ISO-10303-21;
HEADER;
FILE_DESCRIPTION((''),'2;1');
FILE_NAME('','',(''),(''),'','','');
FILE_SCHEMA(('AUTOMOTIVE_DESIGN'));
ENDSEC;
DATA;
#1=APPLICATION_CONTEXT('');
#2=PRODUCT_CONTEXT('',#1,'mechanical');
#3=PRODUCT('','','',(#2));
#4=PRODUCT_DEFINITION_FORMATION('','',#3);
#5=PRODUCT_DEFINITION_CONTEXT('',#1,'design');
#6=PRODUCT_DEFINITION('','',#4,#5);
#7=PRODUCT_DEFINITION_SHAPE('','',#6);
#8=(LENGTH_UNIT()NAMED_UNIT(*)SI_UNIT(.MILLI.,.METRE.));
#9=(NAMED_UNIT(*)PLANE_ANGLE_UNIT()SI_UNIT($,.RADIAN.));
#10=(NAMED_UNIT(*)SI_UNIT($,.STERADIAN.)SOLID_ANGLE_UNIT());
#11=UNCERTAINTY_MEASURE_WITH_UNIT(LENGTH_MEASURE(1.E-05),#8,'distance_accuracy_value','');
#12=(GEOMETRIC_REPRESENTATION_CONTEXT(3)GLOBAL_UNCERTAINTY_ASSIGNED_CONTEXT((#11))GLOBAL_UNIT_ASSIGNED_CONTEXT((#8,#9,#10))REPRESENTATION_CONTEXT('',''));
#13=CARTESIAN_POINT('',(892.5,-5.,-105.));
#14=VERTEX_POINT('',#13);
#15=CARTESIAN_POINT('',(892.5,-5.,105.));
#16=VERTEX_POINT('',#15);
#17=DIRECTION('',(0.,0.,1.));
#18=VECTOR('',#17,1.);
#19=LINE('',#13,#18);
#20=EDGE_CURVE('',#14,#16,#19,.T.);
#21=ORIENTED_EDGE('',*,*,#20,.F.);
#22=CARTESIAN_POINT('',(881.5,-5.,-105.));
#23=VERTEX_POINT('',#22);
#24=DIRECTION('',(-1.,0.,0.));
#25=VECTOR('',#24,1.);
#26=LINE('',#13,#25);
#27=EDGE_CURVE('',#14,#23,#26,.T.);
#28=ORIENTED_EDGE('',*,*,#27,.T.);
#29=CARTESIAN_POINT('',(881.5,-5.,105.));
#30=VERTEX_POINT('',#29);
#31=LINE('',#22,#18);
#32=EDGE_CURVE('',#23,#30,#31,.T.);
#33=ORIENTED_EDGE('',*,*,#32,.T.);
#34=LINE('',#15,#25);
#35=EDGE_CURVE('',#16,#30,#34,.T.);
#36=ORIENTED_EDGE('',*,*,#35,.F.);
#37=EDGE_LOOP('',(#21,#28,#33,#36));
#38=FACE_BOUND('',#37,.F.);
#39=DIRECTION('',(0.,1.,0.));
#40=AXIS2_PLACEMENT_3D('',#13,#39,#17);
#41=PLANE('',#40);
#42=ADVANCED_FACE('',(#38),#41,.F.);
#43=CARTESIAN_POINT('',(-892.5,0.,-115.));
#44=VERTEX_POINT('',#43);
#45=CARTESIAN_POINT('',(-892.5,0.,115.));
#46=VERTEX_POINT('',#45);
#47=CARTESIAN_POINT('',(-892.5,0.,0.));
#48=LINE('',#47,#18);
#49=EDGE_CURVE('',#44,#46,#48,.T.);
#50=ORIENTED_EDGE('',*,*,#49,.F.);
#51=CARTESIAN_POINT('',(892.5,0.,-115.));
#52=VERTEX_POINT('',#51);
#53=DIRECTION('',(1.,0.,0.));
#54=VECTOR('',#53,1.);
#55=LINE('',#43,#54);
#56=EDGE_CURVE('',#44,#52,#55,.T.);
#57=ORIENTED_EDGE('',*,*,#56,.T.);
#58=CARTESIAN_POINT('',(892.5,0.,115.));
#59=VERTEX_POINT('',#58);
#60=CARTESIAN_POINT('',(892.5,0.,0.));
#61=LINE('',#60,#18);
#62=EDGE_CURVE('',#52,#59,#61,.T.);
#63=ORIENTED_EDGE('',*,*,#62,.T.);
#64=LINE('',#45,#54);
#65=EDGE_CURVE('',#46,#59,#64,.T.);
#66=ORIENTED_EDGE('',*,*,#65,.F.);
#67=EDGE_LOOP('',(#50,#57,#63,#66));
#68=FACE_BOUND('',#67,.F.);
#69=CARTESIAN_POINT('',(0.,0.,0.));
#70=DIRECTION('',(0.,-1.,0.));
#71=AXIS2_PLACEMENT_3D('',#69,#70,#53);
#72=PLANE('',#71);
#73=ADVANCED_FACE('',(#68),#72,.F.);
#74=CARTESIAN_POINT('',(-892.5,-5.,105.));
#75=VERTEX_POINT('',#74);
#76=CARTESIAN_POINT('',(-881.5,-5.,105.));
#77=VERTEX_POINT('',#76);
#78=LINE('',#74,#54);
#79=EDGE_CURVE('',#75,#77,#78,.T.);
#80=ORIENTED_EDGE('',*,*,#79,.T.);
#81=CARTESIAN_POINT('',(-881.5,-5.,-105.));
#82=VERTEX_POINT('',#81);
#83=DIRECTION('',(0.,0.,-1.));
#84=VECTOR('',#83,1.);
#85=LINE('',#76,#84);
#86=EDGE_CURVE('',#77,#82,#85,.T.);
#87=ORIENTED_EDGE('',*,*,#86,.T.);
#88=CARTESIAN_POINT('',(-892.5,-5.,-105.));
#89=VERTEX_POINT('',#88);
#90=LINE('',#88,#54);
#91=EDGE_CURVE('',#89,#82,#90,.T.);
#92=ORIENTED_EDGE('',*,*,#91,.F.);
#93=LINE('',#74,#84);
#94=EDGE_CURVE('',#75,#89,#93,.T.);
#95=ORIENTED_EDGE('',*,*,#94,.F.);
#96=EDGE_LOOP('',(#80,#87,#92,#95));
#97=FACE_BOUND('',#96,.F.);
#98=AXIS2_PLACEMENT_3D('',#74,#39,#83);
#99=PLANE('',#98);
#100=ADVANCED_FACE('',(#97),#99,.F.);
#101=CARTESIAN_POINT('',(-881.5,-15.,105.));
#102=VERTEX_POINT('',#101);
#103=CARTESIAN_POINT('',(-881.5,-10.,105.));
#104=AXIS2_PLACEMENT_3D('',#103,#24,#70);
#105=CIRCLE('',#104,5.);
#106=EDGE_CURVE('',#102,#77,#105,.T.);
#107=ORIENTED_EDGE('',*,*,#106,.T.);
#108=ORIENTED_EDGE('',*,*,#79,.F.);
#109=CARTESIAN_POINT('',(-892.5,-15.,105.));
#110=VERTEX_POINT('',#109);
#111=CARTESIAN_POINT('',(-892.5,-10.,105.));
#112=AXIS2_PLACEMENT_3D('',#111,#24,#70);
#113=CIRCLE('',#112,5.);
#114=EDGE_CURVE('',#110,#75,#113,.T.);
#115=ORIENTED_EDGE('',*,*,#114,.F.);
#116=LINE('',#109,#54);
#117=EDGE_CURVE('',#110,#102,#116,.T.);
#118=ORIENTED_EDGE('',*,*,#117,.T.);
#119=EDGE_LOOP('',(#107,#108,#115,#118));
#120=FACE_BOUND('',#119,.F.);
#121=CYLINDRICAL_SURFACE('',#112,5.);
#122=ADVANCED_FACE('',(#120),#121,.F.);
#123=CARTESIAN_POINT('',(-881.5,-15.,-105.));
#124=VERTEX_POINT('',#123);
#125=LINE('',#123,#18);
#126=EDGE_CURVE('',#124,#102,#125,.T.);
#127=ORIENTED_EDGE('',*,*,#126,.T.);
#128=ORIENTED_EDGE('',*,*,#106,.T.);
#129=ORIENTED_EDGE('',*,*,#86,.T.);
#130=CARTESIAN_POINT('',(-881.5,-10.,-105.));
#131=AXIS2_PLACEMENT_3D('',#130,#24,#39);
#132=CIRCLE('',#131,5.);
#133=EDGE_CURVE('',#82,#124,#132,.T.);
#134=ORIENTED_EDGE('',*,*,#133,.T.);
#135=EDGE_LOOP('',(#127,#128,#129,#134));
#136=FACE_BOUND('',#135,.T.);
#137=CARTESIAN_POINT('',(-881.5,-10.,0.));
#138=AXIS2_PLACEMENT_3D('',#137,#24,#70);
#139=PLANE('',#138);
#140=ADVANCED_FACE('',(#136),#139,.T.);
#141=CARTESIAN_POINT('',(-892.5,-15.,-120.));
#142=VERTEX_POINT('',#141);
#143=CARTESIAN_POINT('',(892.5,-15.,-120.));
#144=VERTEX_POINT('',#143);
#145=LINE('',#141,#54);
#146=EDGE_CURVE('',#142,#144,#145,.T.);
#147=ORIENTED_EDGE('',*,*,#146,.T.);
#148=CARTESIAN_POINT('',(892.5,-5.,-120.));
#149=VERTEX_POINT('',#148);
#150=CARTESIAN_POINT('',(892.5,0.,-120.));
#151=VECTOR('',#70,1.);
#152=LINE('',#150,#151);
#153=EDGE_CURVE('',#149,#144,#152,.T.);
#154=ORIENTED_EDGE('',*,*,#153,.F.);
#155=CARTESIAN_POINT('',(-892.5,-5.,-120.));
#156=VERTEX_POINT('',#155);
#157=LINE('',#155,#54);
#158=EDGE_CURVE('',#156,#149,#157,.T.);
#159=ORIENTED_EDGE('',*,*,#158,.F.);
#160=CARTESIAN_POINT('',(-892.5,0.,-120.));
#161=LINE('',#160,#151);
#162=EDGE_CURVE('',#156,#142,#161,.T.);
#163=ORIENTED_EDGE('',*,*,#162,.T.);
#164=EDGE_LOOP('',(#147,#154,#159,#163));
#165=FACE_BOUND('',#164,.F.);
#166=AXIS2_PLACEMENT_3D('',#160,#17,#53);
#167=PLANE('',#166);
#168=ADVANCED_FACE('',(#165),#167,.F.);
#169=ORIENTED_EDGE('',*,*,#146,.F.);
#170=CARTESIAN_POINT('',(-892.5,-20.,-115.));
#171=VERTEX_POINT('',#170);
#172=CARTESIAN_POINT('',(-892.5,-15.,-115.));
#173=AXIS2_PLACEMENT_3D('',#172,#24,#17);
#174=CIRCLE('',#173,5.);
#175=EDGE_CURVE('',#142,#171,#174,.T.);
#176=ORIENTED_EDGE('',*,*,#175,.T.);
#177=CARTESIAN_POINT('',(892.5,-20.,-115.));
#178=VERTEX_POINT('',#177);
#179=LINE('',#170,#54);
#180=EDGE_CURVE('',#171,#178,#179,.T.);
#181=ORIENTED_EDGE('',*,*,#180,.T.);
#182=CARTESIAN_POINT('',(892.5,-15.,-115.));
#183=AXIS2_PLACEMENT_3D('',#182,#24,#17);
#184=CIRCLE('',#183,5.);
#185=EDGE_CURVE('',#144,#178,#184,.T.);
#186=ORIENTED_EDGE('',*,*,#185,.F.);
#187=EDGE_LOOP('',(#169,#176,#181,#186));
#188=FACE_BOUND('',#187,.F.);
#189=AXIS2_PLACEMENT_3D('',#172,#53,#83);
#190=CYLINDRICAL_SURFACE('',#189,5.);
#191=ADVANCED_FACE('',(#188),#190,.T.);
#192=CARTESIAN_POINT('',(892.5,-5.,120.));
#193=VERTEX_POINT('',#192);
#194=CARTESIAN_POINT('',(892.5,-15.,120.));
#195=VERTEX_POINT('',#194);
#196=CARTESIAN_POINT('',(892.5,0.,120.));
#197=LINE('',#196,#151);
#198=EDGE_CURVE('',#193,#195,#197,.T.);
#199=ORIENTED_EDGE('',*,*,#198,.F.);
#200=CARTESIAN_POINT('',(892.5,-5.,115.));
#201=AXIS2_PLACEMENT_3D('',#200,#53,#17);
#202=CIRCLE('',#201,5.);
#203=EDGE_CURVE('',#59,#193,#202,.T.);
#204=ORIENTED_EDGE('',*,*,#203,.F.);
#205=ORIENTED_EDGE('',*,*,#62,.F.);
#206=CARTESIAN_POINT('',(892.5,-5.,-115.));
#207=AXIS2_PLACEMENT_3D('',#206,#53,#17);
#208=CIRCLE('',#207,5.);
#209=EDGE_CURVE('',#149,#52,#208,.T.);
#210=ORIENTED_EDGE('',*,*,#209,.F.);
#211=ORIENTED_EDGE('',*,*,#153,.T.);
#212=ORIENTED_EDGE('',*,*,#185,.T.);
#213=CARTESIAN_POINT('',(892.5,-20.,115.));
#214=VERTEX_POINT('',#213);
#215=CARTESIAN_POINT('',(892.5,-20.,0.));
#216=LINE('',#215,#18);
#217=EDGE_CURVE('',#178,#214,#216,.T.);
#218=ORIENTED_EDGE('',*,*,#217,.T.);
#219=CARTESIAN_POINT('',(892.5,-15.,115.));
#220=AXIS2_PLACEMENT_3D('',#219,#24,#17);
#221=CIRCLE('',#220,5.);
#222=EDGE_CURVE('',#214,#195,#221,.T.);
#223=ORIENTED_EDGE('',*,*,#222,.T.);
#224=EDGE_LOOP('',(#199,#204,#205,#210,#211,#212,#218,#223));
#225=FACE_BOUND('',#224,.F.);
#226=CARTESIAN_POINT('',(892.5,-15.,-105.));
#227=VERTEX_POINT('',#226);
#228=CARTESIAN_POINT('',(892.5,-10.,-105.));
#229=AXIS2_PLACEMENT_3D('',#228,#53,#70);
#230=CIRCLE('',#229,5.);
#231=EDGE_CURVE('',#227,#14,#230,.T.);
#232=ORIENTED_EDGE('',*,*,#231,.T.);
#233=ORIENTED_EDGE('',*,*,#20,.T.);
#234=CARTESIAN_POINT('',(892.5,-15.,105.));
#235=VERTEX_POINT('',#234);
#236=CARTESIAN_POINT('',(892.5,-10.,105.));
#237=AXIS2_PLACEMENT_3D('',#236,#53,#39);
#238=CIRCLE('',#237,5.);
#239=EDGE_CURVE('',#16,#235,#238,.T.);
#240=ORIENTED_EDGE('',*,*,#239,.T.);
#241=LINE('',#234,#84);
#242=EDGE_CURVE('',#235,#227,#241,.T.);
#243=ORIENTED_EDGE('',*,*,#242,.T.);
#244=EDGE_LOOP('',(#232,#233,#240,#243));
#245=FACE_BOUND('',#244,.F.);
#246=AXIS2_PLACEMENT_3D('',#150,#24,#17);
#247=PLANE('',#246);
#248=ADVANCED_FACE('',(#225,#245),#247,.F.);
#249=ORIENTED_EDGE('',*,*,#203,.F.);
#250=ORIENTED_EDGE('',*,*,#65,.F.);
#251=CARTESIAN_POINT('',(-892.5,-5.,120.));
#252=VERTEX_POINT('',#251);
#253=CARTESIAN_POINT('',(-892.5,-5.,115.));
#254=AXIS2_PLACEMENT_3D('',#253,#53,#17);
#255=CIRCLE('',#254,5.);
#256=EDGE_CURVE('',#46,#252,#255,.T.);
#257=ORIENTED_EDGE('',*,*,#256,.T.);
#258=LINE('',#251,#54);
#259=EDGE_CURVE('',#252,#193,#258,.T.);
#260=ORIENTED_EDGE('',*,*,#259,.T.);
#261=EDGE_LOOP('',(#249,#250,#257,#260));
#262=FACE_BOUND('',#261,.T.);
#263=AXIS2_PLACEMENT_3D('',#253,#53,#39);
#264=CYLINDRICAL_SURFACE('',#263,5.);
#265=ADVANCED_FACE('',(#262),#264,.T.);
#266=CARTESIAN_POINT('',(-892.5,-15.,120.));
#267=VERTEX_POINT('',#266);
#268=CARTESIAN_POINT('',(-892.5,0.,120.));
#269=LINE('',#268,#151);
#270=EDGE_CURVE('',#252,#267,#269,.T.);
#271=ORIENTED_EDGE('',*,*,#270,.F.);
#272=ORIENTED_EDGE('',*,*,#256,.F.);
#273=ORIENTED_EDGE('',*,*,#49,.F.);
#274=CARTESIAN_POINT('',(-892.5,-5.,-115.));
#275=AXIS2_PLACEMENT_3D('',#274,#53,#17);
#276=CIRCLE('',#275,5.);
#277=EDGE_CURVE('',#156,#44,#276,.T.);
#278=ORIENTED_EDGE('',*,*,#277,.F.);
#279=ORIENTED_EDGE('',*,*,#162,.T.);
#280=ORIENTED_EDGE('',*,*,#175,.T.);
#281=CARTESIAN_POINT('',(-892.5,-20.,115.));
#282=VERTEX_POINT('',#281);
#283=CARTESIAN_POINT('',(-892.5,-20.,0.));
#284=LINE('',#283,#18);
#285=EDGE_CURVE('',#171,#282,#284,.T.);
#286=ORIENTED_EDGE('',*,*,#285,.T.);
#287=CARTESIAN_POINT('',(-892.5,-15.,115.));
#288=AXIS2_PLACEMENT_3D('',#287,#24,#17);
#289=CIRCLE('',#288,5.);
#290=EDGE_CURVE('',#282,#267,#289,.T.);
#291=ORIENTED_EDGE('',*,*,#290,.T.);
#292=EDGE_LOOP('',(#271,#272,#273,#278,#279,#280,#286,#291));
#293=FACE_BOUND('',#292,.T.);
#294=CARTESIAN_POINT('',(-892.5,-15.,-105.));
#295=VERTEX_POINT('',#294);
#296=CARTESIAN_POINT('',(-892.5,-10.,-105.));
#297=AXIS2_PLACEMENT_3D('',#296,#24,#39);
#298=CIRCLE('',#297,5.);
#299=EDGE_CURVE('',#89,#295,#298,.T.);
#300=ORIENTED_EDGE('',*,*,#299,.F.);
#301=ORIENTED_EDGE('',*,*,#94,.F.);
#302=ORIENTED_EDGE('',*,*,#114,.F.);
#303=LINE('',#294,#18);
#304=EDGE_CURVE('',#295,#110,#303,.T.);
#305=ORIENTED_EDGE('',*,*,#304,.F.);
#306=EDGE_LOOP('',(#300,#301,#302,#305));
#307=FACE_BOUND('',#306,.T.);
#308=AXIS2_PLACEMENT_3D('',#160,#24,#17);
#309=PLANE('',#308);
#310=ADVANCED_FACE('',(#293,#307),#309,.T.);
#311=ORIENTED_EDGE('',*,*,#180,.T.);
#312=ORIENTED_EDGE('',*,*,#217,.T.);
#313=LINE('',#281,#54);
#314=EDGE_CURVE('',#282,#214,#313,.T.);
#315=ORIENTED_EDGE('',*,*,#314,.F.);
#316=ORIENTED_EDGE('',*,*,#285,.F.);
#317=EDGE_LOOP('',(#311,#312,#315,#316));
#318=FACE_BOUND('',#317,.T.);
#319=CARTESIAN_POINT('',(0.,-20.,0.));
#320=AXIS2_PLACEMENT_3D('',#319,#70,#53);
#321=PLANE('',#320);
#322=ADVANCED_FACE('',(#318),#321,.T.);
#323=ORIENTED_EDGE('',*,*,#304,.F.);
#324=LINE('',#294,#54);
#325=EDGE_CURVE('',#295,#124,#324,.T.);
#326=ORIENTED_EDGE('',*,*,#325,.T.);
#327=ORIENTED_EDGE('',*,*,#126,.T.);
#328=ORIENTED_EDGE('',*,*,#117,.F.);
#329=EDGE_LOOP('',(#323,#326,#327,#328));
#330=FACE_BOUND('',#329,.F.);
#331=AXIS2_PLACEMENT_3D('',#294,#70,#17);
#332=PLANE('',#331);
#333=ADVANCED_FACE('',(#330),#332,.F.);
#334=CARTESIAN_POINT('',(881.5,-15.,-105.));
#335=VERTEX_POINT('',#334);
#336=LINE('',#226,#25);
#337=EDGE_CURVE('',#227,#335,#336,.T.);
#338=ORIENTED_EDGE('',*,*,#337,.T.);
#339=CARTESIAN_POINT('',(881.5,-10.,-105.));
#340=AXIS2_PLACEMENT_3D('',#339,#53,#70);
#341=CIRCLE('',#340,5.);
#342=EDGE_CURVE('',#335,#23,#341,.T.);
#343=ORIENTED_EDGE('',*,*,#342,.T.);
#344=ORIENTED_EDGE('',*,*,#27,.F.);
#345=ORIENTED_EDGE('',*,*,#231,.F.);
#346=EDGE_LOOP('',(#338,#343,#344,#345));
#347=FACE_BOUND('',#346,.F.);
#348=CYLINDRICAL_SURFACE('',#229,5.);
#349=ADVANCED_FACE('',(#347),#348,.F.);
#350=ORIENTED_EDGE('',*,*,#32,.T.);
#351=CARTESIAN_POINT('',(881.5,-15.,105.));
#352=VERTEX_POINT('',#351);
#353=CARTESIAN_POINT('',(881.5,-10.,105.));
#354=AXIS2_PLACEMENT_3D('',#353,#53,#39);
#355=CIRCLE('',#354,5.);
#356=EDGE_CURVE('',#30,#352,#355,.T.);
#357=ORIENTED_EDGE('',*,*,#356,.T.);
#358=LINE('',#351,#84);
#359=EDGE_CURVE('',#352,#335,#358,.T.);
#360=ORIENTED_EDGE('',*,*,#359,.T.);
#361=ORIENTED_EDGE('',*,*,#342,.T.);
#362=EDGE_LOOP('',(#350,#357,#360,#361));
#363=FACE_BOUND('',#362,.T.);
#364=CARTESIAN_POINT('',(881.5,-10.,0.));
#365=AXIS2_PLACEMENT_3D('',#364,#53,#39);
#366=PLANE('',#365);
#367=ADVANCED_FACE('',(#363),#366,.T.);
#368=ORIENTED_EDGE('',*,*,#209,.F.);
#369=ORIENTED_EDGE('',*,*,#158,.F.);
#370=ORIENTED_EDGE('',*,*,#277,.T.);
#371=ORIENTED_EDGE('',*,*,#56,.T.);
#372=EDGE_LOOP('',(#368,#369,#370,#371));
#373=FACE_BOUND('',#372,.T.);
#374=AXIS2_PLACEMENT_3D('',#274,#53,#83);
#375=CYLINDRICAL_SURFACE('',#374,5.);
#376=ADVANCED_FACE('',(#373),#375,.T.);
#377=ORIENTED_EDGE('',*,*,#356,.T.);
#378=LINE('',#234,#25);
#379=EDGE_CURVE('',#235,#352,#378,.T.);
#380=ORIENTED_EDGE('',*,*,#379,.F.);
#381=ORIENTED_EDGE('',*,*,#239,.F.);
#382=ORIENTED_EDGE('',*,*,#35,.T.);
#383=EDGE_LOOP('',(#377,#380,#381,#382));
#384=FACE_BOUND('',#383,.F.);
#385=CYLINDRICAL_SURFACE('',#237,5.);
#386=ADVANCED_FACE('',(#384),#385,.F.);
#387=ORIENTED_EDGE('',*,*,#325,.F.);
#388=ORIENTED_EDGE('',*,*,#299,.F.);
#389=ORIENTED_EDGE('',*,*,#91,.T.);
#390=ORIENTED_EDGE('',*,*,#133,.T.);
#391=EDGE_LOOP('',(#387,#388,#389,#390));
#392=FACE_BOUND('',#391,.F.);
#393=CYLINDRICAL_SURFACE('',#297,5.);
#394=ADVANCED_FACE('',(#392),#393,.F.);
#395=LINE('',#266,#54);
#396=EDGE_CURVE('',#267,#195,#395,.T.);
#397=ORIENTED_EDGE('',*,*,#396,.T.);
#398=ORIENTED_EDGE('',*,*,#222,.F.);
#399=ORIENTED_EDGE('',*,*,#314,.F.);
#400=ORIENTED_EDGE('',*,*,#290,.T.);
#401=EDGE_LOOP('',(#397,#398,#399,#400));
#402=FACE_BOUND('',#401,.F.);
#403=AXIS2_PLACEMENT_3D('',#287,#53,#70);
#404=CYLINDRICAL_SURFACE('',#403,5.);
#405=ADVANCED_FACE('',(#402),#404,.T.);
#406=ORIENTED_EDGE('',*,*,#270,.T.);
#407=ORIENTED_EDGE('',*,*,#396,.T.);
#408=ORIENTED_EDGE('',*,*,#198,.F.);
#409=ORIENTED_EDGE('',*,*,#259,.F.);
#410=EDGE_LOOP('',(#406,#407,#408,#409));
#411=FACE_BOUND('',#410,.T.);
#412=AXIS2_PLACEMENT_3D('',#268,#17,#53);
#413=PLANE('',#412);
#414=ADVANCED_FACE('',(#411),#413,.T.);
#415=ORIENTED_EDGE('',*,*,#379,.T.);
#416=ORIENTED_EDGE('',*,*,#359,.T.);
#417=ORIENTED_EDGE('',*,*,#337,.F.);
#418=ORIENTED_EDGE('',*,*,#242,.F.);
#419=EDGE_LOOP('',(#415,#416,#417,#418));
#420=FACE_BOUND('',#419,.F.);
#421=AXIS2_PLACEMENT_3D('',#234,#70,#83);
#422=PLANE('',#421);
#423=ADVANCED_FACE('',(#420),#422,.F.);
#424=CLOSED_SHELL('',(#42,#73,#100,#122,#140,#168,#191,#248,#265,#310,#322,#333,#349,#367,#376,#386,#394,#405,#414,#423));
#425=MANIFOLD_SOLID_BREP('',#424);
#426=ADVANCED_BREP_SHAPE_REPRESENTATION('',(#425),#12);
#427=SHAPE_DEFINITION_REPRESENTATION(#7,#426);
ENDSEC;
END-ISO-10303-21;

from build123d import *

# Parameters (mm, degrees)
F0_W     = 1785
F0_H     = 240
F1_DEPTH = 20
F3_DEPTH = 11
F5_DEPTH = 11
F6_R     = 5


with BuildPart() as f1:
    # F0 (on Front) → F1 (new body)
    with BuildSketch(Plane.XZ):
        Rectangle(F0_W, F0_H)
    extrude(amount=F1_DEPTH)

    # F2 (on face) → F3 (cut)
    with BuildSketch(Plane(origin=(-892.5, 0, 0), x_dir=(0, -1, 0), z_dir=(-1, 0, 0))):
        with BuildLine():
            Line((5, 105), (5, -105))
            ThreePointArc((5, -105), (10, -110), (15, -105))
            Line((15, -105), (15, 105))
            ThreePointArc((15, 105), (10, 110), (5, 105))
        make_face()
    extrude(amount=-F3_DEPTH, mode=Mode.SUBTRACT)

    # F4 (on face) → F5 (cut)
    with BuildSketch(Plane.YZ.offset(892.5)):
        with BuildLine():
            Line((-5, -105), (-5, 105))
            ThreePointArc((-5, 105), (-10, 110), (-15, 105))
            Line((-15, 105), (-15, -105))
            ThreePointArc((-15, -105), (-10, -110), (-5, -105))
        make_face()
    extrude(amount=-F5_DEPTH, mode=Mode.SUBTRACT)

    # F6
    f6_edges = [f1.edges().sort_by_distance(p)[0] for p in [
        (0, 0, 120),
        (0, -20, 120),
        (0, 0, -120),
        (0, -20, -120),
    ]]
    fillet(f6_edges, radius=F6_R)


solid = f1.part
